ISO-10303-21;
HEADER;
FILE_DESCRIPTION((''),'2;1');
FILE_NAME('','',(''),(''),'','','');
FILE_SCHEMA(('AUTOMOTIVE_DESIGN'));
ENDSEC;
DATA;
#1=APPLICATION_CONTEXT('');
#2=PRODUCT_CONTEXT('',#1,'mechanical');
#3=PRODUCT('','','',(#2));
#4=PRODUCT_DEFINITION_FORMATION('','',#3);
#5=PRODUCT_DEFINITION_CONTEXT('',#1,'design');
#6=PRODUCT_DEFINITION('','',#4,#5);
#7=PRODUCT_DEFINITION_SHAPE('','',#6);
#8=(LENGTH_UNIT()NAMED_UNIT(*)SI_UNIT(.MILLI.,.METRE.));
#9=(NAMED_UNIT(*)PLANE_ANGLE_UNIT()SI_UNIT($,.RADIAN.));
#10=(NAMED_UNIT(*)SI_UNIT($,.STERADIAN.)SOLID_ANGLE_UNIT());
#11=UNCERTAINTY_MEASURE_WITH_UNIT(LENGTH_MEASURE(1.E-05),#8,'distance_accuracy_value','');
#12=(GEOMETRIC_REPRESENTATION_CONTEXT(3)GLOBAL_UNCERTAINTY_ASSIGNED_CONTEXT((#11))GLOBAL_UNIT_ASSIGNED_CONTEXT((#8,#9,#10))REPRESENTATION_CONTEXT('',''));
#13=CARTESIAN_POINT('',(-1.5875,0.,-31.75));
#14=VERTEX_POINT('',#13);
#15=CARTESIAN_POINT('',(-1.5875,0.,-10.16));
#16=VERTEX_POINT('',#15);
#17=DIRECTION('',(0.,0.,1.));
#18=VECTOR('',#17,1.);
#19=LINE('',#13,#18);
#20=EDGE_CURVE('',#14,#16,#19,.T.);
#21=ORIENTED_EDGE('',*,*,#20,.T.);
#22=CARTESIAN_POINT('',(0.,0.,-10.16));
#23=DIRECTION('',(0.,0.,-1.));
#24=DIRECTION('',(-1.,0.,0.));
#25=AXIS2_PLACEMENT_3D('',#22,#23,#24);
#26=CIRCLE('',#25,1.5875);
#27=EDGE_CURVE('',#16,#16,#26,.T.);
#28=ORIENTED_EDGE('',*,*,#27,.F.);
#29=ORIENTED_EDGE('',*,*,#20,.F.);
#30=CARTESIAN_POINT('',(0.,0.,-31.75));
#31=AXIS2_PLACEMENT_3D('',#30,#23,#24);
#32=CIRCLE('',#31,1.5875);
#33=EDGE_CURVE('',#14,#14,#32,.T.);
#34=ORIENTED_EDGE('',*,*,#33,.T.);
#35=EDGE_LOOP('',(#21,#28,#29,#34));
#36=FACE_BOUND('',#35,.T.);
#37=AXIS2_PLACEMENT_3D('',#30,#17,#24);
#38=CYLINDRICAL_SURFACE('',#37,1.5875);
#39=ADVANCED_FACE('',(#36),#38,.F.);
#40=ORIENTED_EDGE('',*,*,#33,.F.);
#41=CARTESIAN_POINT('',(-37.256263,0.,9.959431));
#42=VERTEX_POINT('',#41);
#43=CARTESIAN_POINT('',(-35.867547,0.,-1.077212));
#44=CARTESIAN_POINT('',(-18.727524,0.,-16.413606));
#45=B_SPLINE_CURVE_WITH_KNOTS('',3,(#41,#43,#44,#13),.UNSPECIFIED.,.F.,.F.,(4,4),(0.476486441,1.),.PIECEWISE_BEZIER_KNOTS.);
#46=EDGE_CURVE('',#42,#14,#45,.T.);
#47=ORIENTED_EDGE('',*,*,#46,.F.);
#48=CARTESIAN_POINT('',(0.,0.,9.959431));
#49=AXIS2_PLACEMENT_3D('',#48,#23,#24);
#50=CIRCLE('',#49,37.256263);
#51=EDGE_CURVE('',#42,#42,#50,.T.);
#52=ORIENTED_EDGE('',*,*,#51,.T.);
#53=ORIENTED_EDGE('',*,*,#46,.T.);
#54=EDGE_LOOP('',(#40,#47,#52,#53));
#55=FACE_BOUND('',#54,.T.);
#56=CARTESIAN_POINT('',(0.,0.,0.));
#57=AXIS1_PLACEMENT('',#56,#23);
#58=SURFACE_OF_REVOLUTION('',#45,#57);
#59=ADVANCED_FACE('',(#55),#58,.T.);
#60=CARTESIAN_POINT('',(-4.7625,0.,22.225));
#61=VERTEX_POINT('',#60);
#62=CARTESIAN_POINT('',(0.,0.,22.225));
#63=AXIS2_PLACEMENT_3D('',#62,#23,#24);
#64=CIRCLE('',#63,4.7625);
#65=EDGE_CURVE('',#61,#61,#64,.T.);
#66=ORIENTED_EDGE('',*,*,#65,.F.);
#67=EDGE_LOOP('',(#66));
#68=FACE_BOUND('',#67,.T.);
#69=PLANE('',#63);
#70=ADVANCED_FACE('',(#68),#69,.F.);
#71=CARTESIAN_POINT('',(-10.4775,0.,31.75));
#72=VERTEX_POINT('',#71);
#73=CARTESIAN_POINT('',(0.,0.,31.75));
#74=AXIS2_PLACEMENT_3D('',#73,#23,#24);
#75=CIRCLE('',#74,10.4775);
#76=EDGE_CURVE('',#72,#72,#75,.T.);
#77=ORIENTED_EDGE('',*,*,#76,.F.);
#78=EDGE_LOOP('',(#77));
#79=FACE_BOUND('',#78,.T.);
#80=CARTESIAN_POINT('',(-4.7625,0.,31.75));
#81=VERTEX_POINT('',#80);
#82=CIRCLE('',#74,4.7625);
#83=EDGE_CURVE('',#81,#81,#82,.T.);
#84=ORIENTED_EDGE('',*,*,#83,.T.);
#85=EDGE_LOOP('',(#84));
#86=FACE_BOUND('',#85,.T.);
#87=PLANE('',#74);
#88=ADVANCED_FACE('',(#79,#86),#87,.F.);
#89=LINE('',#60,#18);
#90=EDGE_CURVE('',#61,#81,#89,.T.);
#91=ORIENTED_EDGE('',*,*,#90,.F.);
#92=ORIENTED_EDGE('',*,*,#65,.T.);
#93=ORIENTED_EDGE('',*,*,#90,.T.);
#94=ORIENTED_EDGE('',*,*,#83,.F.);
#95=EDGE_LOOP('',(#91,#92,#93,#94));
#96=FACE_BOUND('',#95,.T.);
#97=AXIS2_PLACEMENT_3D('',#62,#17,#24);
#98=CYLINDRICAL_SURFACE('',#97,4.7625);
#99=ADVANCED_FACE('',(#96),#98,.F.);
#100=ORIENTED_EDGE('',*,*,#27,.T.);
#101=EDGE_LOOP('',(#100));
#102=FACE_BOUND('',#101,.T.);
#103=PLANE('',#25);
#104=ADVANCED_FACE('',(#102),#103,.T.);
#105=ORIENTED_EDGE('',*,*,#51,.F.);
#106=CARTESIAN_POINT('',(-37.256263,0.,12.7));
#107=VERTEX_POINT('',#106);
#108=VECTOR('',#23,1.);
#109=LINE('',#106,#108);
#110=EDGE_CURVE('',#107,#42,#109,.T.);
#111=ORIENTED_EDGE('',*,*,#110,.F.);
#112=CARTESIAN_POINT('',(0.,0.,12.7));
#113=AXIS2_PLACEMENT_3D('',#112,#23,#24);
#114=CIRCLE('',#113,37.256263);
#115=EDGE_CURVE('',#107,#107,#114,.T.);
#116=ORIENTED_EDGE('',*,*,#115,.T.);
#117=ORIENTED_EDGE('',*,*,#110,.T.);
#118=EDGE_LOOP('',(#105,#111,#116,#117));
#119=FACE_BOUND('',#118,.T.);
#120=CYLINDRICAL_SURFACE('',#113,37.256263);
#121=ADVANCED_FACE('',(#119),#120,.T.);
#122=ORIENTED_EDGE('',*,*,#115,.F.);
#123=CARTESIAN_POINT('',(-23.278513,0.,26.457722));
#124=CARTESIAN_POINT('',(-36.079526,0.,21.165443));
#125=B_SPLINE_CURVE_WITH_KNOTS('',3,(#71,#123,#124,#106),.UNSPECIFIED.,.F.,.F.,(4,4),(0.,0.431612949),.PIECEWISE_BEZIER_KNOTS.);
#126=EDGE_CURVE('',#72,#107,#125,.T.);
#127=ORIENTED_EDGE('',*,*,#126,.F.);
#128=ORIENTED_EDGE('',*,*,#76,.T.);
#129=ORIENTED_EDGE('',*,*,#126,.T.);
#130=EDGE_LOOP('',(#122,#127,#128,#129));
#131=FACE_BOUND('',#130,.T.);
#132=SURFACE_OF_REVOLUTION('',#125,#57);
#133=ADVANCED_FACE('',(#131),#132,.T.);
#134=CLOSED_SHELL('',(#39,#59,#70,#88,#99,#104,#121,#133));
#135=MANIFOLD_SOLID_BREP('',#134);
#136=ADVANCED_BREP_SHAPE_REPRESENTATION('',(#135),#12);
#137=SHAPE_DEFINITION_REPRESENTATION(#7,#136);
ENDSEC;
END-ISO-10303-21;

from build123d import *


with BuildPart() as f1:
    # F0 (on Front) → F1 (revolve)
    with BuildSketch(Plane.XZ):
        with BuildLine():
            Line((-4.7625, 22.225), (-4.7625, 31.75))
            Line((-4.7625, 31.75), (-10.4775, 31.75))
            add(Edge.make_bspline(
                [(-10.4775, 31.75), (-23.2785131592, 26.4577216245), (-36.0795263184, 21.1654432489), (-37.2562628995, 12.7)],
                knots=[0, 0, 0, 0, 0.4316129486, 0.4316129486, 0.4316129486, 0.4316129486], degree=3))
            Line((-37.2562628995, 12.7), (-37.2562628995, 9.9594308139))
            add(Edge.make_bspline(
                [(-37.2562628995, 9.9594308139), (-35.8675474383, -1.0772119386), (-18.7275237192, -16.4136059693), (-1.5875, -31.75)],
                knots=[0.4764864414, 0.4764864414, 0.4764864414, 0.4764864414, 1, 1, 1, 1], degree=3))
            Line((-1.5875, -31.75), (-1.5875, -10.16))
            Line((-1.5875, -10.16), (0, -10.16))
            Line((0, -10.16), (0, 22.225))
            Line((0, 22.225), (-4.7625, 22.225))
        make_face()
    revolve(axis=Axis((0, 0, 0), (0, 0, -1)))


solid = f1.part
